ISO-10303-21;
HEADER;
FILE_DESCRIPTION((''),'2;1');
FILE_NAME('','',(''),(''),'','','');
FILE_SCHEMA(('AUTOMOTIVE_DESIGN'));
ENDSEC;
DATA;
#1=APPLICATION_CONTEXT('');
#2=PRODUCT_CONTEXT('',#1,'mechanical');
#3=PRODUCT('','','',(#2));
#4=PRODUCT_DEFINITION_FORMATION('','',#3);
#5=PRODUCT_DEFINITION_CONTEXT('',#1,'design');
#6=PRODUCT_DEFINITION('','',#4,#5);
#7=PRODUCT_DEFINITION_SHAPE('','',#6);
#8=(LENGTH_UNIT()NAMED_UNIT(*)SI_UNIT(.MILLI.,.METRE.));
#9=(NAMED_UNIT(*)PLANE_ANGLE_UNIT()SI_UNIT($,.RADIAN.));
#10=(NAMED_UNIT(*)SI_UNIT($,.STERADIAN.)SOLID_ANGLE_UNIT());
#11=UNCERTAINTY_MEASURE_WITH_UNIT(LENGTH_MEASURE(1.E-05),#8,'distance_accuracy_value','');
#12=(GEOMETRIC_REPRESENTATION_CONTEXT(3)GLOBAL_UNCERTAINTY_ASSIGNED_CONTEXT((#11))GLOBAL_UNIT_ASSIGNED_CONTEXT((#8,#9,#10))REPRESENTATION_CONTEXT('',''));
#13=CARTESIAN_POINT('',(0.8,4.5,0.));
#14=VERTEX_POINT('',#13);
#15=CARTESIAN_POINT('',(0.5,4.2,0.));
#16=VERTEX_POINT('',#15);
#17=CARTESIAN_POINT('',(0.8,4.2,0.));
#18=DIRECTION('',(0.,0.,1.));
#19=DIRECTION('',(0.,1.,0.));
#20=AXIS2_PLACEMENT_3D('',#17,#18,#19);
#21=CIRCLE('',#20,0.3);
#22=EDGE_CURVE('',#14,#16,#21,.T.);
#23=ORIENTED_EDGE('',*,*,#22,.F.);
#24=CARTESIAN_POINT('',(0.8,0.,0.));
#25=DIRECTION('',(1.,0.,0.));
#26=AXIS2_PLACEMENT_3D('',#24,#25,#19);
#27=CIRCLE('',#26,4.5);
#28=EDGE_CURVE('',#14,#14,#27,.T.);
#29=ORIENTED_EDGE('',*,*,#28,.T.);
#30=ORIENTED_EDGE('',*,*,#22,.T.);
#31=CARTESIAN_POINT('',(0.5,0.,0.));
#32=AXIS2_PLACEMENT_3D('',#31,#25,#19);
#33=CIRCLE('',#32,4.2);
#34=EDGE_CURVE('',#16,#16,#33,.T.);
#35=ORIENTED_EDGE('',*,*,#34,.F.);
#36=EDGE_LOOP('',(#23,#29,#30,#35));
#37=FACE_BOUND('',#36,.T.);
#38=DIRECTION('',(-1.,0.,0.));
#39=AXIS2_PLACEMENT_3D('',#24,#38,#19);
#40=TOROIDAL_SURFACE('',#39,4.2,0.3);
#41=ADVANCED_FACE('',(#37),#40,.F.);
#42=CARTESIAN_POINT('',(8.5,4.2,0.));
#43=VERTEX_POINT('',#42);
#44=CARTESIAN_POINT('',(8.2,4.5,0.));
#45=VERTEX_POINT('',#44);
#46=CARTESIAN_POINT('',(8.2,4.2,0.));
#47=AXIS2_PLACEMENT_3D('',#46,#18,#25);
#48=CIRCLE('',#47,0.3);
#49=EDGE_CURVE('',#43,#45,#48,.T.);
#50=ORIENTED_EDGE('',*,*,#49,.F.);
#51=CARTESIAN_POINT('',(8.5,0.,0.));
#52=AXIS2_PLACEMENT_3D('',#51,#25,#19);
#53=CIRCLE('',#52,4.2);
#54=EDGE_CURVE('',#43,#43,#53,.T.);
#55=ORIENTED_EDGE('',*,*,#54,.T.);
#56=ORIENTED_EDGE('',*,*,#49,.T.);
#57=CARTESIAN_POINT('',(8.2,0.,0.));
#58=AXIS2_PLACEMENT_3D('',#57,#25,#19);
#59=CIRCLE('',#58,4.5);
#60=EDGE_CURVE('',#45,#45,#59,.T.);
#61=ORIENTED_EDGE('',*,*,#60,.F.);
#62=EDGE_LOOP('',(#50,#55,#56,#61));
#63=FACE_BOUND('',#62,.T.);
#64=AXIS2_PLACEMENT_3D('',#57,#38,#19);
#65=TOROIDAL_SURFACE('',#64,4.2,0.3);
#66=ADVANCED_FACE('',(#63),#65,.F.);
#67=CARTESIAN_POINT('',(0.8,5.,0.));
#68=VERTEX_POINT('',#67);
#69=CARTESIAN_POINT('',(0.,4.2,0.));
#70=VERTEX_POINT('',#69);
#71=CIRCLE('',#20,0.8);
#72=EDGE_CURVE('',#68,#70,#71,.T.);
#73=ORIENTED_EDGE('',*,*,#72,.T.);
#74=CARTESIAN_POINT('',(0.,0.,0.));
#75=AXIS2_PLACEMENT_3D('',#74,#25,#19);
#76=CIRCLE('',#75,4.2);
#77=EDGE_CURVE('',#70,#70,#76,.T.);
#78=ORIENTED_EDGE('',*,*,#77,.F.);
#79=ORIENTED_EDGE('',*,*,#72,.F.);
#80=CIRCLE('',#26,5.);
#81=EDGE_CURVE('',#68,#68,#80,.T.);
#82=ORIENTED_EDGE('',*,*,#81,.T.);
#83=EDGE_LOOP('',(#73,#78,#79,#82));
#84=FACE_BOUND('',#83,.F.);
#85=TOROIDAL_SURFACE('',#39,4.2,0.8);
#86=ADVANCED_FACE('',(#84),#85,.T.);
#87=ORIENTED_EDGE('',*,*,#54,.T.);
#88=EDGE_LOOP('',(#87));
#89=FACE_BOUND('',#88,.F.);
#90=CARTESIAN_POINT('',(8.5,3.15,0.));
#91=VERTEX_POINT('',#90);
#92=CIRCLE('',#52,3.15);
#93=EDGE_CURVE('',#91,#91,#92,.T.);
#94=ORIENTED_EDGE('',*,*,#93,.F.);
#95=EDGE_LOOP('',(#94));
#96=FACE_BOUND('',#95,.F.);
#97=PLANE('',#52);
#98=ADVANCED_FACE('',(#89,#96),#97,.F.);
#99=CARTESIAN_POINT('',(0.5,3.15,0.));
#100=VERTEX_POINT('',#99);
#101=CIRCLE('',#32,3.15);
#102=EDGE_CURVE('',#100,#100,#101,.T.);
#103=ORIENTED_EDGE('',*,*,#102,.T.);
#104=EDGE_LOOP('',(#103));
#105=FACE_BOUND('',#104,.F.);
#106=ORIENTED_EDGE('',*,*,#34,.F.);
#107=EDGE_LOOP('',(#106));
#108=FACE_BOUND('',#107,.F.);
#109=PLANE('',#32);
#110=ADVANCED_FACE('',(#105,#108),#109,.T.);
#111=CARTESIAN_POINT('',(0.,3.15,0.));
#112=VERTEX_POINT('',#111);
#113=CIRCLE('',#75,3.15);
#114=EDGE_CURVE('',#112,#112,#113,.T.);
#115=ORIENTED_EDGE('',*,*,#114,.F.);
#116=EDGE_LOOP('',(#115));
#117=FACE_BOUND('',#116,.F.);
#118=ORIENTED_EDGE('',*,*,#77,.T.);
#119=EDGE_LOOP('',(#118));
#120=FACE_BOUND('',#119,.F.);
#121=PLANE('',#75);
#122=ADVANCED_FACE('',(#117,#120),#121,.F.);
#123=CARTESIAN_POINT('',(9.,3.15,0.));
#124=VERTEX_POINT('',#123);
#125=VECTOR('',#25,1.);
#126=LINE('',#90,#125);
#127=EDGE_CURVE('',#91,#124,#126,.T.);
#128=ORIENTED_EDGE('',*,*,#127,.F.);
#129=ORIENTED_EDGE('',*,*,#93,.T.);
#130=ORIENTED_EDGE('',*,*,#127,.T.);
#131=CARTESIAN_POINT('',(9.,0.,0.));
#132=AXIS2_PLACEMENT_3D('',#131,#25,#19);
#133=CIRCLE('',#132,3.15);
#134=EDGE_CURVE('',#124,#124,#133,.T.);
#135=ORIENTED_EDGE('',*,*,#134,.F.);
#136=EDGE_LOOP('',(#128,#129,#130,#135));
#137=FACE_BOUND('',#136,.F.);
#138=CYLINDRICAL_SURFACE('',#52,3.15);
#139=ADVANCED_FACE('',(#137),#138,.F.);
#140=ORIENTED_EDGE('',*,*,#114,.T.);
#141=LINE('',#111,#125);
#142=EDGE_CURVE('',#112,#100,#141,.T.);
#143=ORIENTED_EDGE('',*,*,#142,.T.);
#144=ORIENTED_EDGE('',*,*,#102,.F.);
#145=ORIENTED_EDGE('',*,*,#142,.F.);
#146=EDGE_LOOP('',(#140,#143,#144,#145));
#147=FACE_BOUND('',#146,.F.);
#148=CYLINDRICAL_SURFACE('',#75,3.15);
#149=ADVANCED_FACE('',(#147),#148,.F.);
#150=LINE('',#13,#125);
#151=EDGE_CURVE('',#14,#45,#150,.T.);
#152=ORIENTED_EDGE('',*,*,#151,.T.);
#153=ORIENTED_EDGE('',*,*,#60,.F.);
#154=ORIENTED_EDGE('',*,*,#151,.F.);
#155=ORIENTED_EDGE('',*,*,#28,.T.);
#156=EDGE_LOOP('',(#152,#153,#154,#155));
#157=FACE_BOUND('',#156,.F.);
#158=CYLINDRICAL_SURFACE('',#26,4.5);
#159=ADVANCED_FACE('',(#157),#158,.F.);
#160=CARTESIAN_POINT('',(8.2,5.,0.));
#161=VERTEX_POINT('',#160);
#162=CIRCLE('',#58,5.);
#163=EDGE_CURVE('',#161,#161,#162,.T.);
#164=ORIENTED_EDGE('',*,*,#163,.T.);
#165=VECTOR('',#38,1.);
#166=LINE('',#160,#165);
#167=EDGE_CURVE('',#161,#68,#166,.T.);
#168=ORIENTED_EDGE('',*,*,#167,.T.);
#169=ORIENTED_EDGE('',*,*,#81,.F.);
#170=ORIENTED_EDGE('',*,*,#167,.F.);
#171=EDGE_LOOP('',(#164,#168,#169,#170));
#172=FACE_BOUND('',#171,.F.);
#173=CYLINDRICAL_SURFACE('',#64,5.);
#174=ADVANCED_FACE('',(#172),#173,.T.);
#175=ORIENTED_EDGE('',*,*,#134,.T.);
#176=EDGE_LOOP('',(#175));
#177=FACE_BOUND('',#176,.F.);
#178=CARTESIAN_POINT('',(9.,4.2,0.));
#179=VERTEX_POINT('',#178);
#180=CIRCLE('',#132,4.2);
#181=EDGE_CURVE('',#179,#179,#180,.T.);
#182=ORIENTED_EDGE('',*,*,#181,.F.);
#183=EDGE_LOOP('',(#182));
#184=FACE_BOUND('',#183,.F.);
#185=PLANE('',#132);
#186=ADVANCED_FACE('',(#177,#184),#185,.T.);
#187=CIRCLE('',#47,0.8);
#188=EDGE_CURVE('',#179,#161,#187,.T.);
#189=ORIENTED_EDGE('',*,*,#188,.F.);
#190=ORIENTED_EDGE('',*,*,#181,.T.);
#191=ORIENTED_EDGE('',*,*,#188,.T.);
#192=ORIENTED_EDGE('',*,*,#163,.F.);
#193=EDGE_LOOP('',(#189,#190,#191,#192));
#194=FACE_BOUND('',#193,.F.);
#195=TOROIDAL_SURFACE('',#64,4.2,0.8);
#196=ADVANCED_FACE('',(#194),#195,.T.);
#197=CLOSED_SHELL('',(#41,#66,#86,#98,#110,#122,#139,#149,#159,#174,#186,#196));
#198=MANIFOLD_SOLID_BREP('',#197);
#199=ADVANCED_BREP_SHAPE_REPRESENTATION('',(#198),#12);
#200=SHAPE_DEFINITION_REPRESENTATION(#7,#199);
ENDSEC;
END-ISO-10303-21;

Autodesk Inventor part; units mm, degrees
sketch "Sketch_1" plane through (0, 0, 0) normal (0, 0, 1) x (1, 0, 0)
  line L0 (9, 0) -> (0, 0)
  line L1 (0, 3.15) -> (0.5, 3.15)
  line L2 (0.5, 3.15) -> (0.5, 4.2)
  arc A0 (0.8, 4.5) -> (0.5, 4.2) centre (0.8, 4.2) ccw
  line L3 (0.8, 4.5) -> (8.2, 4.5)
  arc A1 (8.5, 4.2) -> (8.2, 4.5) centre (8.2, 4.2) ccw
  line L4 (8.5, 4.2) -> (8.5, 3.15)
  line L5 (8.5, 3.15) -> (9, 3.15)
  line L6 (9, 3.15) -> (9, 4.2)
  arc A2 (9, 4.2) -> (8.2, 5) centre (8.2, 4.2) ccw
  line L7 (8.2, 5) -> (0.8, 5)
  arc A3 (0.8, 5) -> (0, 4.2) centre (0.8, 4.2) ccw
  line L8 (0, 4.2) -> (0, 3.15)
revolve "Revolution1" add sketch "Sketch_1" angle 360 about axis through (9, 0, 0) along (1, 0, 0)
ref_plane "IP_1_XY" through (0, 0, 0) normal (1, 0, 0) x (0, 0, -1)
ref_plane "IP_1_YZ" through (0, 0, 0) normal (0, 0, -1) x (0, 1, 0)
ref_plane "IP_1_ZX" through (0, 0, 0) normal (0, 1, 0) x (1, 0, 0)
ref_plane "IP_5_XY" through (4.5, 0, 0) normal (1, 0, 0) x (0, 0, -1)
ref_plane "IP_5_YZ" through (4.5, 0, 0) normal (0, 0, -1) x (0, 1, 0)
ref_plane "IP_5_ZX" through (4.5, 0, 0) normal (0, 1, 0) x (1, 0, 0)
ref_plane "IP_6_XY" through (6.35, 0, 0) normal (1, 0, 0) x (0, 0, -1)
ref_plane "IP_6_YZ" through (6.35, 0, 0) normal (0, 0, -1) x (0, 1, 0)
ref_plane "IP_6_ZX" through (6.35, 0, 0) normal (0, 1, 0) x (1, 0, 0)
properties part number "HK0609FMSH"
